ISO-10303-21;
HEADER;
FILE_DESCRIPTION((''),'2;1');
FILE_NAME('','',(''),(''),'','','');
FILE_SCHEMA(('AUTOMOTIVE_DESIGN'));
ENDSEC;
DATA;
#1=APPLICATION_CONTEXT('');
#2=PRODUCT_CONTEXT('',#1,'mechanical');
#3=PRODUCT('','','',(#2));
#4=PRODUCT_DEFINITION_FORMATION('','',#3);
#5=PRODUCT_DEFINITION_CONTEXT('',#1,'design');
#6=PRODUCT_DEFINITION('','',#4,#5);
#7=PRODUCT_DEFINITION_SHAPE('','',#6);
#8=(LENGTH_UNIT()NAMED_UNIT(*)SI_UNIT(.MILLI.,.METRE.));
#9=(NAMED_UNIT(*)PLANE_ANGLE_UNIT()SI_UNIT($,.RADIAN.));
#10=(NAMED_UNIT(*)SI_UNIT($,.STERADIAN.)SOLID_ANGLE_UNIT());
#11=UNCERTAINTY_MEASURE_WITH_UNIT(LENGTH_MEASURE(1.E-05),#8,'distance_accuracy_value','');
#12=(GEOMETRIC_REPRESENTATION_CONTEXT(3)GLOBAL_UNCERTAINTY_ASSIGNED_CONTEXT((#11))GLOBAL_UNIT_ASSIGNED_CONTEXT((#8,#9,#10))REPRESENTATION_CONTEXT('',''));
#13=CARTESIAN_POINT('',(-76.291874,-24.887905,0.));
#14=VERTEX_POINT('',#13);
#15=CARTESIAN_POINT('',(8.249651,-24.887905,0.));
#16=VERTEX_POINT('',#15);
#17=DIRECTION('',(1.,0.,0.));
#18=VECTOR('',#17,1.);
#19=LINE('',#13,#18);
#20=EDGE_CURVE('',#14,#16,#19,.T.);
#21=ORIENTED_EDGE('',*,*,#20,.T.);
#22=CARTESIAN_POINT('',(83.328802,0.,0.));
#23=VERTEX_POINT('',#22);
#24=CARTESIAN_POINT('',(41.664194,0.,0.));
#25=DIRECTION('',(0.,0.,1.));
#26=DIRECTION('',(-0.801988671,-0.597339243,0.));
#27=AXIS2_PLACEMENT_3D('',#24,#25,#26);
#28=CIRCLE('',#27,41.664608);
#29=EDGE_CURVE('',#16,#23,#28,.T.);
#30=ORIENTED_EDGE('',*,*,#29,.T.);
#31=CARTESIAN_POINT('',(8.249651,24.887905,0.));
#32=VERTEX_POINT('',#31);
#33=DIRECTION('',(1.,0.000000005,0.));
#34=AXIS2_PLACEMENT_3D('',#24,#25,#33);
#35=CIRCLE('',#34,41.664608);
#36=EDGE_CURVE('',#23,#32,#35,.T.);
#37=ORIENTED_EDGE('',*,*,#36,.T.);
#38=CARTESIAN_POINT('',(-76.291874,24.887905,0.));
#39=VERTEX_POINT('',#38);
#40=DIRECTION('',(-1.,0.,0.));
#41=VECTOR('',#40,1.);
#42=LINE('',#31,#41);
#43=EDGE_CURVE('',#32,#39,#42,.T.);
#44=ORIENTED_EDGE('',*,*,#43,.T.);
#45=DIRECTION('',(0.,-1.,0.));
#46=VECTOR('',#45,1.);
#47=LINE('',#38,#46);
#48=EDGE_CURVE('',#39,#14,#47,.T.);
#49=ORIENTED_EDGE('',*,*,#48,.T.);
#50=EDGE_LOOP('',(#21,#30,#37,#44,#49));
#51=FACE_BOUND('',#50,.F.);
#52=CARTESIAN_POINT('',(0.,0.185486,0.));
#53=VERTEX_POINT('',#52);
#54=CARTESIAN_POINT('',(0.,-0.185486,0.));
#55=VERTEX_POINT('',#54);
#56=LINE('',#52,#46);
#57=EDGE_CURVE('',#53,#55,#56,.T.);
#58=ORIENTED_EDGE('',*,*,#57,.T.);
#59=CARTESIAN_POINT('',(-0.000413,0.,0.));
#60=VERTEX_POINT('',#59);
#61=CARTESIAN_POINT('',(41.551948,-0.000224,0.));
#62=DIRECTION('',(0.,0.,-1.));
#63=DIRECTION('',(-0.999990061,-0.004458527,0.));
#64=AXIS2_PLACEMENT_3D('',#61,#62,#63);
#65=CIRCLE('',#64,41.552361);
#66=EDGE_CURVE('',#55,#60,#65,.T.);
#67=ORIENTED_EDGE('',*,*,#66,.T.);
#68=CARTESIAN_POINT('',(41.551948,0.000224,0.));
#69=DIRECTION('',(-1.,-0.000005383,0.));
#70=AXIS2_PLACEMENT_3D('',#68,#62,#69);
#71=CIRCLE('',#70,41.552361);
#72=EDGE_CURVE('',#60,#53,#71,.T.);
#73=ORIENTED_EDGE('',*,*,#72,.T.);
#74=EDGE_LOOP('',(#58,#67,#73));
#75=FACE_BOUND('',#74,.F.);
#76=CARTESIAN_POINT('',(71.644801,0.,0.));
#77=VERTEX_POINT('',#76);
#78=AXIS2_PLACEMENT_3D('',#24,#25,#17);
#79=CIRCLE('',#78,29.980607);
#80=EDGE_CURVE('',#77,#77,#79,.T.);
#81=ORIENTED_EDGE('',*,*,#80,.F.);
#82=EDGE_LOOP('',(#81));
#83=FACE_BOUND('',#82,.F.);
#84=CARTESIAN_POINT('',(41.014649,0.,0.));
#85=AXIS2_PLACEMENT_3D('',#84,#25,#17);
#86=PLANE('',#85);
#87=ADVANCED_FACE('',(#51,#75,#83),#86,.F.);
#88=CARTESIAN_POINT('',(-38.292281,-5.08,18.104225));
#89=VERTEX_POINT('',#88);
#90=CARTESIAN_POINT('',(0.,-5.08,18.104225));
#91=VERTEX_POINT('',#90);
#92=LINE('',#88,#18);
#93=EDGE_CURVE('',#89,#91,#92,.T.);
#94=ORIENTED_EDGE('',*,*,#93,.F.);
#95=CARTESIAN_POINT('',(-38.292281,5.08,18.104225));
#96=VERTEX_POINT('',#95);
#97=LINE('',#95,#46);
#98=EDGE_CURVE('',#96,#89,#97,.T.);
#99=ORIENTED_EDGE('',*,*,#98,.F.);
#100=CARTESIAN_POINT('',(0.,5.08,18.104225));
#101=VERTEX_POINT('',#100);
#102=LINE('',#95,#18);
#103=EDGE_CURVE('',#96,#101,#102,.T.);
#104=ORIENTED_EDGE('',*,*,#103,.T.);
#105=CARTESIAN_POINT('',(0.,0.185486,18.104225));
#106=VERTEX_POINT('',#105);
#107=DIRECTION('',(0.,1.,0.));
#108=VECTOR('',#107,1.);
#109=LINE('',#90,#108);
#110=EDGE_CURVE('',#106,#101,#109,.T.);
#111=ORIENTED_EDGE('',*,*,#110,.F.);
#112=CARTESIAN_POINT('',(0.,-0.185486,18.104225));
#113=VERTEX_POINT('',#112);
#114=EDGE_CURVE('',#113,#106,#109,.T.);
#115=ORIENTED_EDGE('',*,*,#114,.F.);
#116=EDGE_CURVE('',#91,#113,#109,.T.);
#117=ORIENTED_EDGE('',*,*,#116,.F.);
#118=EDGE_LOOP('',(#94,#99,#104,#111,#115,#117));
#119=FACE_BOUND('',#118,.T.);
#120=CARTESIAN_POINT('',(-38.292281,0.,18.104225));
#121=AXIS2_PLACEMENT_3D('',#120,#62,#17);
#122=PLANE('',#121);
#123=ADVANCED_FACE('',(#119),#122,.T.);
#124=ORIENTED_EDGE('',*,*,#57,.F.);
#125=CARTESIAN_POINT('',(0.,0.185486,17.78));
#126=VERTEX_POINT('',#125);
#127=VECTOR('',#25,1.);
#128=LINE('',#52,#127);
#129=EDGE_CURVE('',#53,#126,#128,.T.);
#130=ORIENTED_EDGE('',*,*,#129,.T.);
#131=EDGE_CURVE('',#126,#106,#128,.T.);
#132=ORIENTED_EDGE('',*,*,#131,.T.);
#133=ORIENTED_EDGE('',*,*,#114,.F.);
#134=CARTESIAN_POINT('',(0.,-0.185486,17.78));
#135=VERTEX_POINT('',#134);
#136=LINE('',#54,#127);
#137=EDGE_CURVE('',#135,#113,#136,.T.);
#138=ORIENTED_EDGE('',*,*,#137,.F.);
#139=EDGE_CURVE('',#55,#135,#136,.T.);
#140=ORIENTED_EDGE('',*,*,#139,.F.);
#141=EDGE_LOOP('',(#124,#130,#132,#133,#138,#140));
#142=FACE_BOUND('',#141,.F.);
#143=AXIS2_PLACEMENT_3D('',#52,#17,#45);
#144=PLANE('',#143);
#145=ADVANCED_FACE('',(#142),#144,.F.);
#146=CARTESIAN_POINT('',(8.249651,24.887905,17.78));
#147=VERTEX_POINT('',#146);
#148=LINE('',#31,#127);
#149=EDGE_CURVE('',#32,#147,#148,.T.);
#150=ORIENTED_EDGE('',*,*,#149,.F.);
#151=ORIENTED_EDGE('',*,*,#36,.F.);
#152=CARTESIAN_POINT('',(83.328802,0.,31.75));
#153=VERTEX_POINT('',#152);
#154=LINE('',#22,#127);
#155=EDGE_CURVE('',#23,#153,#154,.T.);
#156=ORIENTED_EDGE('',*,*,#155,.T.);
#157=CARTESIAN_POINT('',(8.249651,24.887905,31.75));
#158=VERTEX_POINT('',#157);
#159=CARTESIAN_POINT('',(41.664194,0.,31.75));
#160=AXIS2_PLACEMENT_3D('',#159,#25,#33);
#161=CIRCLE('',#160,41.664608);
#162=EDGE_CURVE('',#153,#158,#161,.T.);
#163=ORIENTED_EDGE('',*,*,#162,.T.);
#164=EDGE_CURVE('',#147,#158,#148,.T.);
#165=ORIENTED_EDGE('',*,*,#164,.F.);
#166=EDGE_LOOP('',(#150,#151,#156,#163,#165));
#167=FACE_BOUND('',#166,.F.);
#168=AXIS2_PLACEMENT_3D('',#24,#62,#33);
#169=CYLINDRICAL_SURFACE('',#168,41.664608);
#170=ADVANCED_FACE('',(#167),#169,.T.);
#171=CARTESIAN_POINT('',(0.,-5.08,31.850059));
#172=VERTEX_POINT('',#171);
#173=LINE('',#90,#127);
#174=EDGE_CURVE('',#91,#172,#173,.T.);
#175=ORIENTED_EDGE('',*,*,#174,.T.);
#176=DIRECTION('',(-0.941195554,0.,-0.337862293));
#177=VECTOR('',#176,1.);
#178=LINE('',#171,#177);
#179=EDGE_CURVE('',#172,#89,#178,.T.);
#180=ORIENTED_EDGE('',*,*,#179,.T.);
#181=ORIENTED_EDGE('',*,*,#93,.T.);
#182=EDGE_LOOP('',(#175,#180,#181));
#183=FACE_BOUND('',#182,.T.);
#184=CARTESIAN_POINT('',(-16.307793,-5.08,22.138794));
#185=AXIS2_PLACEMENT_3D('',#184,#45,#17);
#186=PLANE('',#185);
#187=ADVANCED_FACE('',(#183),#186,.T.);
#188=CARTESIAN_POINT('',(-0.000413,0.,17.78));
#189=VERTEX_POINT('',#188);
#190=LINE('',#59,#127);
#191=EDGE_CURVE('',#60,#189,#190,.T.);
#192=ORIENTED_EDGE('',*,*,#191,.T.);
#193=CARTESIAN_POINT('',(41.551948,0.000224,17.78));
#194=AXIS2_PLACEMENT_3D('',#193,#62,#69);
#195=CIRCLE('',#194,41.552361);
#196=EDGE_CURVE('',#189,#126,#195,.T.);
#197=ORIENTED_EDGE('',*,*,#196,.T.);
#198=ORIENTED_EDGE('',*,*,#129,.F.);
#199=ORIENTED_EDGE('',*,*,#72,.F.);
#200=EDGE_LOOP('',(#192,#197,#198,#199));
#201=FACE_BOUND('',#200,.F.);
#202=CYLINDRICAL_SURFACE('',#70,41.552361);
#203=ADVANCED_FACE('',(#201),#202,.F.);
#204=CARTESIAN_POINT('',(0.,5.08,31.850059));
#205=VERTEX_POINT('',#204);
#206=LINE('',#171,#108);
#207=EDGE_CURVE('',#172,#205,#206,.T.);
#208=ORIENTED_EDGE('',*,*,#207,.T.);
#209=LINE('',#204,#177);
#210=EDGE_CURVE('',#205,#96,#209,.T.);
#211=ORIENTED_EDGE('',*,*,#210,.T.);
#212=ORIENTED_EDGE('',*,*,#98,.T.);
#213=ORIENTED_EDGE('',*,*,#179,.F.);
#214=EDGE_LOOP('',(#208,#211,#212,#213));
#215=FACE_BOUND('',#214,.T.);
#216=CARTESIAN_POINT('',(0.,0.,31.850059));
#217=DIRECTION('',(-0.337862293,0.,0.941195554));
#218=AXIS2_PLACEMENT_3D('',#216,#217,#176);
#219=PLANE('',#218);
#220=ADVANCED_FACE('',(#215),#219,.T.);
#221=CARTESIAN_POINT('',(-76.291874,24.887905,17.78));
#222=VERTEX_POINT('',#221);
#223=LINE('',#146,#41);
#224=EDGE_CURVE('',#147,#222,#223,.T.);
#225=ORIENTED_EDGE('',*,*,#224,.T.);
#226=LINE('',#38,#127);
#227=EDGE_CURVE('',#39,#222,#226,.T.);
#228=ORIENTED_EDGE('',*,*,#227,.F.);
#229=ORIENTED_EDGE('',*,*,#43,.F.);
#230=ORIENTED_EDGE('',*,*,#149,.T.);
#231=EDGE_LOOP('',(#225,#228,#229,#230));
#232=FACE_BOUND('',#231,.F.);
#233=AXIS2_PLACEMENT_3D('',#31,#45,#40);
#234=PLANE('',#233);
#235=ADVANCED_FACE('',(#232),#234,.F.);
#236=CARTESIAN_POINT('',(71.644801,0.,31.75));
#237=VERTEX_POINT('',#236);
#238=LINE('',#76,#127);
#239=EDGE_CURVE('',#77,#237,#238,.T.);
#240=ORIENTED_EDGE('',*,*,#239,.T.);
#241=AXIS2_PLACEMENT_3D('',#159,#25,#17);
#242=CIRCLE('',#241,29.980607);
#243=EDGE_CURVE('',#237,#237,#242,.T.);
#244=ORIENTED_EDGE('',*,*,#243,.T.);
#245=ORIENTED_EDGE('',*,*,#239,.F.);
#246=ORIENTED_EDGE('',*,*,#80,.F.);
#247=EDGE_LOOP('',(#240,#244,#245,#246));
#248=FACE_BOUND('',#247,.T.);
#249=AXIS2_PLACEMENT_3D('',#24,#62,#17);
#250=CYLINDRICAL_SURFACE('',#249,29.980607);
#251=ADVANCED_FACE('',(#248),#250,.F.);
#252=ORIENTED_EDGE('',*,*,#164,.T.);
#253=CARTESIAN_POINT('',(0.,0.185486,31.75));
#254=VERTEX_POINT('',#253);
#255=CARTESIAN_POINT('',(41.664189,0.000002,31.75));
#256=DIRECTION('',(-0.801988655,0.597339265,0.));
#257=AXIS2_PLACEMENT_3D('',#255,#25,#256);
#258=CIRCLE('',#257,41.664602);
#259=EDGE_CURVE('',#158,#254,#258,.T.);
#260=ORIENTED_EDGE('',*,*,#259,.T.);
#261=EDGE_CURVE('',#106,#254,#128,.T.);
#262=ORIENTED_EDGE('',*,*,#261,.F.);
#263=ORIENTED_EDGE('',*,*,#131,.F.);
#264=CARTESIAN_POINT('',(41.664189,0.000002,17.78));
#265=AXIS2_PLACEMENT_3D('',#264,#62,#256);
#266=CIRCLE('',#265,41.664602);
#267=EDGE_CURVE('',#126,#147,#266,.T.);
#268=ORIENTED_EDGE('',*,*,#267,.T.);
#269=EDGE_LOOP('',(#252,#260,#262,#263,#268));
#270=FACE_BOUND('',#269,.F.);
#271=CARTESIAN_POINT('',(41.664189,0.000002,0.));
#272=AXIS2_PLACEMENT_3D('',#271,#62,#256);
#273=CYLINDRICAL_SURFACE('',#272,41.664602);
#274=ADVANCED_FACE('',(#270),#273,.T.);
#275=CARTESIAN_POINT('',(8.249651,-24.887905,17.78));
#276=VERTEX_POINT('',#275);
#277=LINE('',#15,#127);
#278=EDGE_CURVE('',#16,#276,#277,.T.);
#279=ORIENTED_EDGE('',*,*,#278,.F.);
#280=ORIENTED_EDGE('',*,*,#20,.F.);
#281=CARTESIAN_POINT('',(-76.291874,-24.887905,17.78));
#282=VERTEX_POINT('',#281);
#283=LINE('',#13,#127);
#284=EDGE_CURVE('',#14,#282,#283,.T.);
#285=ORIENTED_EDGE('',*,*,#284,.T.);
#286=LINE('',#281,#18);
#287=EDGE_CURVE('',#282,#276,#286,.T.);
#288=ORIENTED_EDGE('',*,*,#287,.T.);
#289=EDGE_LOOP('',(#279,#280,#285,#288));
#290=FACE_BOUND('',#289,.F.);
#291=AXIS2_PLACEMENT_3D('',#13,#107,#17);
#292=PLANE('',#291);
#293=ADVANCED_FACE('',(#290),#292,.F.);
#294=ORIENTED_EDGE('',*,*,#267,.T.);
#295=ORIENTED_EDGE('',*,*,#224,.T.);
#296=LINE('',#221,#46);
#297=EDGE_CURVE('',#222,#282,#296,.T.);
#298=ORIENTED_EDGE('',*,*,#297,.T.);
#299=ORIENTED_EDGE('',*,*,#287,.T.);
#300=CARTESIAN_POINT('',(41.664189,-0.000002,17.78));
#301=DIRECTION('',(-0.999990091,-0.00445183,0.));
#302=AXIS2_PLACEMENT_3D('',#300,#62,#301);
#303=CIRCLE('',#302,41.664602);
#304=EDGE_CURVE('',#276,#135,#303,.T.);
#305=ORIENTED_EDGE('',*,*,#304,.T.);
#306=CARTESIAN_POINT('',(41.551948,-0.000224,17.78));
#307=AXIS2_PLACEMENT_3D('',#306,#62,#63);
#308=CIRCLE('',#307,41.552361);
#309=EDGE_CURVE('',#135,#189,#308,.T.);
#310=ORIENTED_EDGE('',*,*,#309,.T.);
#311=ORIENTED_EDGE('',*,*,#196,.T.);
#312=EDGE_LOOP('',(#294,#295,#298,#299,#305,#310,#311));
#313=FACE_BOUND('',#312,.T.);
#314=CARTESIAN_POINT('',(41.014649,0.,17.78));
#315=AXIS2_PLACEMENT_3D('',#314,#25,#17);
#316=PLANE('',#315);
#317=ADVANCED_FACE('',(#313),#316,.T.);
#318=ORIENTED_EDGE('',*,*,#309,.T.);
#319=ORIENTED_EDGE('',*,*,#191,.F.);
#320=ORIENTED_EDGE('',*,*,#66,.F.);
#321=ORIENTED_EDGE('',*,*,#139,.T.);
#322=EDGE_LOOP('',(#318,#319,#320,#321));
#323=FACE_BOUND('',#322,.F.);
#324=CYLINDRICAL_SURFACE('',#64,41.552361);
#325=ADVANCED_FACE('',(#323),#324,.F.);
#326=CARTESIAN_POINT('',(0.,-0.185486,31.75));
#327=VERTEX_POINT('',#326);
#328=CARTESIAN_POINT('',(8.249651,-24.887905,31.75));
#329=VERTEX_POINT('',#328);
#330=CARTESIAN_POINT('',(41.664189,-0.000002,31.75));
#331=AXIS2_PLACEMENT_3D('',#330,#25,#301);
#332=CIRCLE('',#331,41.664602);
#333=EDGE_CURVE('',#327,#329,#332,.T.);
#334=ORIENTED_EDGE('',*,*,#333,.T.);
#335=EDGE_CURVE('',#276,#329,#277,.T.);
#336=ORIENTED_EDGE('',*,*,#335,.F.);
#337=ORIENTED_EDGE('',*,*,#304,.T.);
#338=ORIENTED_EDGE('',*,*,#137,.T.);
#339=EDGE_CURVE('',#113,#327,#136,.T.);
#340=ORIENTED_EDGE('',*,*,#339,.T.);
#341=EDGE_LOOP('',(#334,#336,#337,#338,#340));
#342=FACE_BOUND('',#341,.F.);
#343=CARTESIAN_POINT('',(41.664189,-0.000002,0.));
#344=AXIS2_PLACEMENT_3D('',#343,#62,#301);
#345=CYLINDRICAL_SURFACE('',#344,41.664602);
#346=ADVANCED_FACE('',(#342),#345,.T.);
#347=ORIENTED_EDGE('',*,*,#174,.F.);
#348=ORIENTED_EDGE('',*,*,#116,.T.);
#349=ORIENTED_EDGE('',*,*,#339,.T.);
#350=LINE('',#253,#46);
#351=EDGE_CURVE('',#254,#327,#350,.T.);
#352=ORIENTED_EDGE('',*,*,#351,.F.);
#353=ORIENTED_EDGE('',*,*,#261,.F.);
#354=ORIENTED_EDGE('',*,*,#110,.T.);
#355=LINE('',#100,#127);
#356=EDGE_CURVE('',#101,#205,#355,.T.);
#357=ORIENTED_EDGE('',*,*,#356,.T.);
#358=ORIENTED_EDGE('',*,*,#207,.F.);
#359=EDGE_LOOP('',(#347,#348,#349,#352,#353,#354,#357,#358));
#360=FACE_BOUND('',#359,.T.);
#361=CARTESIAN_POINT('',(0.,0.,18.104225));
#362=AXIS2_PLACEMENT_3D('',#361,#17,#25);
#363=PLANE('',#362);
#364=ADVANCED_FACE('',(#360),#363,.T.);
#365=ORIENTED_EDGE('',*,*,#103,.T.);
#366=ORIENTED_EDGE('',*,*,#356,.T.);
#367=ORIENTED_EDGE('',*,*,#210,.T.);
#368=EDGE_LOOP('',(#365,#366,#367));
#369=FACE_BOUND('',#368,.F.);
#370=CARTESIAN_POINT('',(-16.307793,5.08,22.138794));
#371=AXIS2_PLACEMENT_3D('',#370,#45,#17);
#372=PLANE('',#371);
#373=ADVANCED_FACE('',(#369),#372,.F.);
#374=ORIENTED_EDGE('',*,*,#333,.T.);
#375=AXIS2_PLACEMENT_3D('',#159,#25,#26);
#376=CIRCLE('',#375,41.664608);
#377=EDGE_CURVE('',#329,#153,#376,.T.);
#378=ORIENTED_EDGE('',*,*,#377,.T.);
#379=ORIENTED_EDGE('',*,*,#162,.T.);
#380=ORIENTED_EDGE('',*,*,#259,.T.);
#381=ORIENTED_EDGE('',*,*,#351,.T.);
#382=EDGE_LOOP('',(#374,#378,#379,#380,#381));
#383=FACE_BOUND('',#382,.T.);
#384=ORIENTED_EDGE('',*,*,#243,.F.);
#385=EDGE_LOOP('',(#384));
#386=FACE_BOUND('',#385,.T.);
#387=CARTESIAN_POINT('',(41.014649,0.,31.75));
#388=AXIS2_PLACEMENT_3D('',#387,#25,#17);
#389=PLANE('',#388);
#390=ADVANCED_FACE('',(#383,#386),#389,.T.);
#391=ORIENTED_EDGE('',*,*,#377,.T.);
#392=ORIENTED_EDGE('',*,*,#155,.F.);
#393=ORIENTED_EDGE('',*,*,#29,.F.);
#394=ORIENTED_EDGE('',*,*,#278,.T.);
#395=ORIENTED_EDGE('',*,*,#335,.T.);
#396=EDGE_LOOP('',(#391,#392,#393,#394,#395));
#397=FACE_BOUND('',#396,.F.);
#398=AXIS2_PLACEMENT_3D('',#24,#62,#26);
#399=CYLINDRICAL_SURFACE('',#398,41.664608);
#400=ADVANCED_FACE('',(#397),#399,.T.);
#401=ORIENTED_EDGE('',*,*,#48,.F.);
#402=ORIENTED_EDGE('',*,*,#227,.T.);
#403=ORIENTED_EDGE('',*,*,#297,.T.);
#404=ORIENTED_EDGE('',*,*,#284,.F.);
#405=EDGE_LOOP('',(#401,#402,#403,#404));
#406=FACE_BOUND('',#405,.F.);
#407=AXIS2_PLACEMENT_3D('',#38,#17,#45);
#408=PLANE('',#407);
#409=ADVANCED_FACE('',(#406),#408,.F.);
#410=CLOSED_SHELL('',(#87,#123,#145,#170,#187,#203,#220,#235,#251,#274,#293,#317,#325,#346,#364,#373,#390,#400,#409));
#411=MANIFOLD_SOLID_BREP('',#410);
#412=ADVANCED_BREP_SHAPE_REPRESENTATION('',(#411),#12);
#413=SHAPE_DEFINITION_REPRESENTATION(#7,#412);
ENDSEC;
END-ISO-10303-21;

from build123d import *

# Parameters (mm, degrees)
F0_R     = 29.980607
F1_DEPTH = 31.75
F2_DEPTH = 17.78
F4_DEPTH = 5.08


with BuildPart() as f1:
    # F0 (on Top) → F1 (new body)
    with BuildSketch(Plane.XY):
        with BuildLine():
            ThreePointArc((8.249651, -24.887905), (54.774032, -39.548346), (83.328802, 0))
            ThreePointArc((83.328802, 0), (54.774032, 39.548346), (8.249651, 24.887905))
            ThreePointArc((8.249651, 24.887905), (2.145128, 13.197838), (0, 0.185486))
            Line((0, 0.185486), (0, 0))
            Line((0, 0), (0, -0.185486))
            ThreePointArc((0, -0.185486), (2.145128, -13.197838), (8.249651, -24.887905))
        make_face()
        with Locations((41.664194, 0)):
            Circle(F0_R, mode=Mode.SUBTRACT)
    extrude(amount=F1_DEPTH)

    # F0 (on Top) → F2 (join)
    with BuildSketch(Plane.XY):
        with BuildLine():
            ThreePointArc((8.249651, -24.887905), (54.774032, -39.548346), (83.328802, 0))
            ThreePointArc((83.328802, 0), (54.774032, 39.548346), (8.249651, 24.887905))
            ThreePointArc((8.249651, 24.887905), (2.145128, 13.197838), (0, 0.185486))
            Line((0, 0.185486), (0, 0))
            Line((0, 0), (0, -0.185486))
            ThreePointArc((0, -0.185486), (2.145128, -13.197838), (8.249651, -24.887905))
        make_face()
        with Locations((41.664194, 0)):
            Circle(F0_R, mode=Mode.SUBTRACT)
        with BuildLine():
            ThreePointArc((0, 0.185486), (2.145128, 13.197838), (8.249651, 24.887905))
            Line((8.249651, 24.887905), (0, 24.887905))
            Line((0, 24.887905), (0, 0.185486))
        make_face()
        with BuildLine():
            Line((0, -24.887905), (8.249651, -24.887905))
            ThreePointArc((8.249651, -24.887905), (2.145128, -13.197838), (0, -0.185486))
            Line((0, -0.185486), (0, -24.887905))
        make_face()
        with BuildLine():
            ThreePointArc((-0.000413, 0), (-0.00031, 0.092743), (0, 0.185486))
            Line((0, 0.185486), (0, 24.887905))
            Line((0, 24.887905), (-76.291874, 24.887905))
            Line((-76.291874, 24.887905), (-76.291874, 0))
            Line((-76.291874, 0), (-0.000413, 0))
        make_face()
        with BuildLine():
            Line((0, -24.887905), (0, -0.185486))
            ThreePointArc((0, -0.185486), (-0.00031, -0.092743), (-0.000413, 0))
            Line((-0.000413, 0), (-76.291874, 0))
            Line((-76.291874, 0), (-76.291874, -24.887905))
            Line((-76.291874, -24.887905), (0, -24.887905))
        make_face()
    extrude(amount=F2_DEPTH)

    # F3 (on Front) → F4 (join, symmetric)
    with BuildSketch(Plane.XZ):
        Polygon((0, 31.850059), (-38.292281, 18.104225), (0, 18.104225), align=None)
    extrude(amount=F4_DEPTH, both=True)


solid = f1.part
